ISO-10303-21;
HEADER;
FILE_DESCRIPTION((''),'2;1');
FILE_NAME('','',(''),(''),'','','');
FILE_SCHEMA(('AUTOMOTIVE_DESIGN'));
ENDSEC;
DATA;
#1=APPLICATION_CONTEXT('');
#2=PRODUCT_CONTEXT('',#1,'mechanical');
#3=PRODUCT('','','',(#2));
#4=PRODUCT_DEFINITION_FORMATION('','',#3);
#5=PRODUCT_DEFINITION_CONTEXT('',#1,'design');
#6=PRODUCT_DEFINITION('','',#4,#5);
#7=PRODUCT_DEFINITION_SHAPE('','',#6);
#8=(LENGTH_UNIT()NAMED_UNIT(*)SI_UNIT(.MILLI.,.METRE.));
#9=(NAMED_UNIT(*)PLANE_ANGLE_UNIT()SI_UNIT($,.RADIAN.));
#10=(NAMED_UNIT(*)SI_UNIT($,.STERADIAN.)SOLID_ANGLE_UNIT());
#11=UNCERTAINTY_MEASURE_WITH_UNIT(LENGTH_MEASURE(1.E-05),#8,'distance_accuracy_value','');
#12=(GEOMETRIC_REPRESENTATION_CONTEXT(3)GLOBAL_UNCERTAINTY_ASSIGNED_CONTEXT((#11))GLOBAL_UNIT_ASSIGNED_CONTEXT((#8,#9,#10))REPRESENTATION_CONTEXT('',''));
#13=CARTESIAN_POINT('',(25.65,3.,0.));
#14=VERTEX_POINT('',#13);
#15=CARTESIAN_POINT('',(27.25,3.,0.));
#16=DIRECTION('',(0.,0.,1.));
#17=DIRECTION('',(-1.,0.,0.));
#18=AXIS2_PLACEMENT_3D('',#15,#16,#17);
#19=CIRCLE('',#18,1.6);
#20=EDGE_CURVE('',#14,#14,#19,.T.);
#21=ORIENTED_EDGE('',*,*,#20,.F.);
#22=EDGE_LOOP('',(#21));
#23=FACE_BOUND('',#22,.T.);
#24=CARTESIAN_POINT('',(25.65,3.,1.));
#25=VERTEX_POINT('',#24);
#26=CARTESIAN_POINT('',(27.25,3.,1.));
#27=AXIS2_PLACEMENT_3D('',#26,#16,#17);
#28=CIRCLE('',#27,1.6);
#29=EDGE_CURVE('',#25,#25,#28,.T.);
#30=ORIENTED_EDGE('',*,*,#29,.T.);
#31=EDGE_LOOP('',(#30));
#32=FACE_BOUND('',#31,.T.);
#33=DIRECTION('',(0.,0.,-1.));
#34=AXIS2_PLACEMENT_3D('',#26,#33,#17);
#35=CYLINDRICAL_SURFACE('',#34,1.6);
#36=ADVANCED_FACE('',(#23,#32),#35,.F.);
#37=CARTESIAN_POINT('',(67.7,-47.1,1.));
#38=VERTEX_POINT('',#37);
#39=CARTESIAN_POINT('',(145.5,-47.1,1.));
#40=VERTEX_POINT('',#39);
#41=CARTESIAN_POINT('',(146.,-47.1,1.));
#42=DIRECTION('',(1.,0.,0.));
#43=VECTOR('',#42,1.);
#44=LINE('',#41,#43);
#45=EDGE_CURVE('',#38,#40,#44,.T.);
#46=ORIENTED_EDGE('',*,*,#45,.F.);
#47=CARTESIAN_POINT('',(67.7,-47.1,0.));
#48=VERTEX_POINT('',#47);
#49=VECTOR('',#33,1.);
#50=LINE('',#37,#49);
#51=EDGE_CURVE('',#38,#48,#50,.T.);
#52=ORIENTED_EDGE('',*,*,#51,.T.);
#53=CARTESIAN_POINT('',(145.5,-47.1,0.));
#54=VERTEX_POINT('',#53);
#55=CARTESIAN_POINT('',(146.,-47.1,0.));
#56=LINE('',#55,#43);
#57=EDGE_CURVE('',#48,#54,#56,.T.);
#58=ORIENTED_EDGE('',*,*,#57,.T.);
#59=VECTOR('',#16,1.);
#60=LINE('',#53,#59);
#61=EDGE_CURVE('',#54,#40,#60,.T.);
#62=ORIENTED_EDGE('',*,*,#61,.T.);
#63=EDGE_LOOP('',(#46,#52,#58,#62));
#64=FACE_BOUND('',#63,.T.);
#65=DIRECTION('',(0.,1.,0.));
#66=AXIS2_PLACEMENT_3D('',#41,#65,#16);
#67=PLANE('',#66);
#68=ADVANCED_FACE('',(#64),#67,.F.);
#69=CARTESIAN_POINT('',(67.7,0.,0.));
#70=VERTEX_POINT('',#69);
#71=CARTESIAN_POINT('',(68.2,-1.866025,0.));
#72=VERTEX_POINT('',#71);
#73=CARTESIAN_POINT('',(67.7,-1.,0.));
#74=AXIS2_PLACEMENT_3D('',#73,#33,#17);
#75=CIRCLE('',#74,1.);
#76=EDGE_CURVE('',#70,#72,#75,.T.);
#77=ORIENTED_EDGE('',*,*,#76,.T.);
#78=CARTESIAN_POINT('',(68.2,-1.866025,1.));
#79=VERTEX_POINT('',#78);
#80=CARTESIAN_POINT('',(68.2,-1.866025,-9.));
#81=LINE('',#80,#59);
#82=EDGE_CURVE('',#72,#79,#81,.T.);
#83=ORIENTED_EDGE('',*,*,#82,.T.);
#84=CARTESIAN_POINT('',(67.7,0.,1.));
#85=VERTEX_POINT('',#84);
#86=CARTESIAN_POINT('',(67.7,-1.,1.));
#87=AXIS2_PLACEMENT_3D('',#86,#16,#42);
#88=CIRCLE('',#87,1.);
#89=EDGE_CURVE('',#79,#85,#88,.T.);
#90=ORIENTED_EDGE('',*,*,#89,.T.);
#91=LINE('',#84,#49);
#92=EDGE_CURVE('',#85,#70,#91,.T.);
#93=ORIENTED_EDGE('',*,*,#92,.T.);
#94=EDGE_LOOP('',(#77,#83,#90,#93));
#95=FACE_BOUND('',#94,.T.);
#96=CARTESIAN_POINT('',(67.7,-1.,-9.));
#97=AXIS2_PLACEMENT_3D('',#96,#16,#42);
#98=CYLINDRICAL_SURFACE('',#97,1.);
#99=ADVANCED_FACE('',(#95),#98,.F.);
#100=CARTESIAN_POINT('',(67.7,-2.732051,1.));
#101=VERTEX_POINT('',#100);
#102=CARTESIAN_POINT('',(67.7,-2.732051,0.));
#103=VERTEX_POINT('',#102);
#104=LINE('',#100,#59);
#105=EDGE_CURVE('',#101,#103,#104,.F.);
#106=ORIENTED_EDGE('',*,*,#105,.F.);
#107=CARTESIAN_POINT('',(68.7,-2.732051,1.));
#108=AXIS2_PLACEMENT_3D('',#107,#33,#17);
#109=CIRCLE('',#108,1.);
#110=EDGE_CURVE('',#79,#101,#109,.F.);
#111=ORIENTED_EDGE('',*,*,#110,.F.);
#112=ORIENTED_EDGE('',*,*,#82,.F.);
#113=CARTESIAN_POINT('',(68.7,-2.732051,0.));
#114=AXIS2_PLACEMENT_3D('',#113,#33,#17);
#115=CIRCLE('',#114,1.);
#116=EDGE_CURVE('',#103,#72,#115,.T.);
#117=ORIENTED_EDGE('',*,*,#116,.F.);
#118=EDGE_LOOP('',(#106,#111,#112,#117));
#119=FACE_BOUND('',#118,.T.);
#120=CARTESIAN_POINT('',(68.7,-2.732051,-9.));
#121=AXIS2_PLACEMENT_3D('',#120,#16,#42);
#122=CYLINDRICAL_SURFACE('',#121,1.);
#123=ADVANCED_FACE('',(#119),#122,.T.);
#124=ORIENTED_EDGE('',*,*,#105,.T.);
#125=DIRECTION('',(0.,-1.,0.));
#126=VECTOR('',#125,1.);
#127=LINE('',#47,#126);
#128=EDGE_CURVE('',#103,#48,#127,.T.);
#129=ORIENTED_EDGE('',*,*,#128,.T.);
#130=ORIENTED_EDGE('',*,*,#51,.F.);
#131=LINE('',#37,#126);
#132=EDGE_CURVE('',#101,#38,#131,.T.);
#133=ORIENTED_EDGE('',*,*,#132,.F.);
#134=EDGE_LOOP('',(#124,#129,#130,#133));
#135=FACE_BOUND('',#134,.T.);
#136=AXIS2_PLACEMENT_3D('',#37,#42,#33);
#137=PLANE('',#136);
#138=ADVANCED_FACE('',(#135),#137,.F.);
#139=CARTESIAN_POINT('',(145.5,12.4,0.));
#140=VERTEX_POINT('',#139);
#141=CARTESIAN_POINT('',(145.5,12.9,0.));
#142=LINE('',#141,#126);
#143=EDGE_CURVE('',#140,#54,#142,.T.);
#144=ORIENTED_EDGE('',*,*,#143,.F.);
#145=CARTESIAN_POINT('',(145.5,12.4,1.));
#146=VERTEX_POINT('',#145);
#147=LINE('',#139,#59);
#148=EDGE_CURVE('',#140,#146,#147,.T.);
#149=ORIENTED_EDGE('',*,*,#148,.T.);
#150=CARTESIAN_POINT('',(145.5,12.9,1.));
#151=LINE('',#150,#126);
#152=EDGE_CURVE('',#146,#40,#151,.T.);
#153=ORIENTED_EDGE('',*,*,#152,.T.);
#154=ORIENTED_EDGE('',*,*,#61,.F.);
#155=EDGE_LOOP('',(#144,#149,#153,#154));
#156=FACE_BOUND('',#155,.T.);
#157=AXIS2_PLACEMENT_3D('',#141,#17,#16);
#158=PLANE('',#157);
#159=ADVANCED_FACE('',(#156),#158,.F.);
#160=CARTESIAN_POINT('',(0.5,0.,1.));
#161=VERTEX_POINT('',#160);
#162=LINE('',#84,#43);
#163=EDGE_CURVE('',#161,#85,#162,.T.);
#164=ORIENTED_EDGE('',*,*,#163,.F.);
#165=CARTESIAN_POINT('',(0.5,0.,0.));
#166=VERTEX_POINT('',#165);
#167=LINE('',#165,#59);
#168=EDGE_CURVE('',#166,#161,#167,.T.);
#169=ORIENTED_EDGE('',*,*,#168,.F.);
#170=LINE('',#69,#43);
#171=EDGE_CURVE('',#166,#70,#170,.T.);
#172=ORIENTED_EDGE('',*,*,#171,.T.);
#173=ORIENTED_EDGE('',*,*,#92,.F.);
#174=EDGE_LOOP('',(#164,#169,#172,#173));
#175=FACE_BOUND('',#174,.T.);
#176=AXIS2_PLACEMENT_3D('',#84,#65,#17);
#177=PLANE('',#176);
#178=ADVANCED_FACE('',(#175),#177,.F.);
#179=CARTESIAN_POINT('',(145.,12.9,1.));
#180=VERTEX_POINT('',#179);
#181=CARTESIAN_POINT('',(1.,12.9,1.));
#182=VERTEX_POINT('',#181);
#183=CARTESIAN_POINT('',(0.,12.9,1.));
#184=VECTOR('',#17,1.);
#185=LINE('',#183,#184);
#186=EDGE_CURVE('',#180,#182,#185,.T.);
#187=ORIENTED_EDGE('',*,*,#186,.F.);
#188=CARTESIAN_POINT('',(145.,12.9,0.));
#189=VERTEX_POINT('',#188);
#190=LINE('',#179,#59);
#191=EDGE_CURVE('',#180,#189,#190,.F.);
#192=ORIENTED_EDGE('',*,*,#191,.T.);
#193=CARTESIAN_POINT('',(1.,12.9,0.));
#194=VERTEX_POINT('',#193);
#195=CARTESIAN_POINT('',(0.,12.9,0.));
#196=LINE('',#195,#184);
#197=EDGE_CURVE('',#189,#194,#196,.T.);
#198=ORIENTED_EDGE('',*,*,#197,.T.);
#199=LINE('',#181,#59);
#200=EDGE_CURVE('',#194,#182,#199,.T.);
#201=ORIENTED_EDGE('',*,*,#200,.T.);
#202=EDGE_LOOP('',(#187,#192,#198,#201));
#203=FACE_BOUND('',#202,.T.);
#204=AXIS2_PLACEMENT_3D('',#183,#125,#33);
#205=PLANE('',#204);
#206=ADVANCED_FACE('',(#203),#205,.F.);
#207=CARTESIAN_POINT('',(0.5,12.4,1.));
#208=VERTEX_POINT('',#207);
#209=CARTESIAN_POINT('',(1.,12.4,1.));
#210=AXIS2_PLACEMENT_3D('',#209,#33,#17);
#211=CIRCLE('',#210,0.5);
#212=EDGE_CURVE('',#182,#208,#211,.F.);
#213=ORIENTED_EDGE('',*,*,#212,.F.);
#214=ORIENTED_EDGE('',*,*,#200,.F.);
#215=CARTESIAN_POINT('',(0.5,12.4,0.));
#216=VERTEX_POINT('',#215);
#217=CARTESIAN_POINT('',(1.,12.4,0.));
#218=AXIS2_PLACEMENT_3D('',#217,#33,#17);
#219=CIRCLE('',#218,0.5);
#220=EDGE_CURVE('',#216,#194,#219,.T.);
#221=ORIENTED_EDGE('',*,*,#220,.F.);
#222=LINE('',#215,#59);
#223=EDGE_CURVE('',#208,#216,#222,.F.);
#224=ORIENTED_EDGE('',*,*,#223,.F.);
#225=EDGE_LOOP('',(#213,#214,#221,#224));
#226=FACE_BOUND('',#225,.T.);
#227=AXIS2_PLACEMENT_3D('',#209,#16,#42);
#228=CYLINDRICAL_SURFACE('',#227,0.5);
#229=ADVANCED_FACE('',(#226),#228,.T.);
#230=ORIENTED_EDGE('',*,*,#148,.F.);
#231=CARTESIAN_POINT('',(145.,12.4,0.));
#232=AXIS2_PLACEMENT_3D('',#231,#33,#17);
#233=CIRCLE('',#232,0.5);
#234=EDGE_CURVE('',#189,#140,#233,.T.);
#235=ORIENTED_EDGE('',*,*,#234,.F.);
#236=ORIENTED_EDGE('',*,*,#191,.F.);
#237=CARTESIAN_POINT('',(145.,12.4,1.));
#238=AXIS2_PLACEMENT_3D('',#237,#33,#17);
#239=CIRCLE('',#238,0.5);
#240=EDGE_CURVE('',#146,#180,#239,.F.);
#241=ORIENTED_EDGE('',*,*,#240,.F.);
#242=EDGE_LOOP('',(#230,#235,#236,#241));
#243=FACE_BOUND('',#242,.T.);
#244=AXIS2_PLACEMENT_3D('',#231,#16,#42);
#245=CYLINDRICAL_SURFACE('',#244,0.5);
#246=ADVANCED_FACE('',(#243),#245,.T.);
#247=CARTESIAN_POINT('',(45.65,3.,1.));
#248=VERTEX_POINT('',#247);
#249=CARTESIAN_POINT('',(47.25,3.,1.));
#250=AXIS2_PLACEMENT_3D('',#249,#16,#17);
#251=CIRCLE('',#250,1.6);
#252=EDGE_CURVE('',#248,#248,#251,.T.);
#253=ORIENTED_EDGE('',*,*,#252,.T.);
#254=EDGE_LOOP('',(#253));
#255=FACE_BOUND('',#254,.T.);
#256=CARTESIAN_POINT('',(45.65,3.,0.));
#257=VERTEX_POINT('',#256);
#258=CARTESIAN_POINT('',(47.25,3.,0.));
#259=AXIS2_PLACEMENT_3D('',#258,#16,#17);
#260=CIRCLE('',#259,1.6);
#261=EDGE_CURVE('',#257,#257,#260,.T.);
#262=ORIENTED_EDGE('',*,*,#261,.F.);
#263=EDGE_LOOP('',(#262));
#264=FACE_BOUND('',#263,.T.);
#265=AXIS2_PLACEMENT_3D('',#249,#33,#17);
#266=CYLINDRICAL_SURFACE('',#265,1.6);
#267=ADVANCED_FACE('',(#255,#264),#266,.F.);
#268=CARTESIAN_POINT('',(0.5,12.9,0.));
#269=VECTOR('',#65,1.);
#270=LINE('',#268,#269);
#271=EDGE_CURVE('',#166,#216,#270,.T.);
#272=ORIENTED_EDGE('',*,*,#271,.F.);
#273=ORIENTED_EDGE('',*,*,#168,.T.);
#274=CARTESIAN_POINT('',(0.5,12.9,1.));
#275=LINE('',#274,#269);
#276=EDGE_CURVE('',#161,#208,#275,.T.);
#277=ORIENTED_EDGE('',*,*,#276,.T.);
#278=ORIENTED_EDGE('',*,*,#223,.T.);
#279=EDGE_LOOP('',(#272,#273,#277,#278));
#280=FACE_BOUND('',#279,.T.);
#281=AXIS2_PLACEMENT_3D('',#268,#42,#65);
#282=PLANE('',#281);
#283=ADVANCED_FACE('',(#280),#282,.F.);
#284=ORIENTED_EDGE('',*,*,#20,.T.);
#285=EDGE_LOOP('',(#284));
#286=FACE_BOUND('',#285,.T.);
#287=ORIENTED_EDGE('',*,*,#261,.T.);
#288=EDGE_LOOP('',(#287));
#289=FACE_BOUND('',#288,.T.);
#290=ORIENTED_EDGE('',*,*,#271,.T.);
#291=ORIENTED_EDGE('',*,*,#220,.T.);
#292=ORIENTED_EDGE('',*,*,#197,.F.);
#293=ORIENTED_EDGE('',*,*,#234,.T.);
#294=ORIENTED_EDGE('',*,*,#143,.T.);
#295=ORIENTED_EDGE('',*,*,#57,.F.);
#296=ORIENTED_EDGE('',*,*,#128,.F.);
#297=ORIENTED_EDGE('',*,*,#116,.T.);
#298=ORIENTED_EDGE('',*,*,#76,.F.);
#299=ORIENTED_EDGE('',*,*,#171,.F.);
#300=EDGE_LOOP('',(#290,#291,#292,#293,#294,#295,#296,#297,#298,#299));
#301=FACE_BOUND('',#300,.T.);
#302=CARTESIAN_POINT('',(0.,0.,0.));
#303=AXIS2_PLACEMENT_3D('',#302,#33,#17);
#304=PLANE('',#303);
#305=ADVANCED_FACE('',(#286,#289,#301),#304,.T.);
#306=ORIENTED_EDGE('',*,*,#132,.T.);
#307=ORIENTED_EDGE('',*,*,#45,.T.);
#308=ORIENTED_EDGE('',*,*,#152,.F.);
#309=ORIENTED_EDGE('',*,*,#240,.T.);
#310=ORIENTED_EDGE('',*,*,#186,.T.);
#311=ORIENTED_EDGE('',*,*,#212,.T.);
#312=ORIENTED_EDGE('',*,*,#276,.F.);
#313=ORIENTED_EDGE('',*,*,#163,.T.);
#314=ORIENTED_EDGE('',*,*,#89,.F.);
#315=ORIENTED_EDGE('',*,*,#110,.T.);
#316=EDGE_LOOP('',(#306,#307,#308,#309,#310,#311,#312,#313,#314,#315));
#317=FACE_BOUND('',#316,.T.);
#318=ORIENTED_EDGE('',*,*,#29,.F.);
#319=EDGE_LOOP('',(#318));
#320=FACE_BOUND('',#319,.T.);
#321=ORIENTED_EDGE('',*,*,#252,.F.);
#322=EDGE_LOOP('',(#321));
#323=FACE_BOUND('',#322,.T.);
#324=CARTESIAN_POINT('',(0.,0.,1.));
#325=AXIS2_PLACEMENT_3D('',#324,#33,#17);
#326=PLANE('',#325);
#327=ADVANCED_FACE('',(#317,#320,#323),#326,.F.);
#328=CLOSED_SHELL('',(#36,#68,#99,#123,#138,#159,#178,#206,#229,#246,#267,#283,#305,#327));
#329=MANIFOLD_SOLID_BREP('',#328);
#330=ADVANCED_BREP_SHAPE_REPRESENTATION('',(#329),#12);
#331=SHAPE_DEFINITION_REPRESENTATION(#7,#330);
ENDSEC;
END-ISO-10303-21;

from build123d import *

# Parameters (mm, degrees)
SKETCH_1_R          = 1.6
EXTRUDE_1_DEPTH     = 1
SKETCH_2_R          = 1
CUT_EXTRUDE_1_DEPTH = 10
FILLET_1_R          = 1
SKETCH_3_W          = 0.5
SKETCH_3_H          = 12.9
SKETCH_3_H_2        = 60
CUT_EXTRUDE_2_DEPTH = 154.412548379
FILLET_2_R          = 0.5


with BuildPart() as part:
    # 草图1 → 凸台-拉伸1 (new body)
    with BuildSketch(Plane.XY):
        Polygon((0, 0), (0, 12.9), (146, 12.9), (146, -47.1), (67.7, -47.1), (67.7, 0), align=None)
        with Locations(Location((47.25, 3, 0), (0, 0, 180))):
            Circle(SKETCH_1_R, mode=Mode.SUBTRACT)
        with Locations(Location((27.25, 3, 0), (0, 0, 180))):
            Circle(SKETCH_1_R, mode=Mode.SUBTRACT)
    extrude(amount=EXTRUDE_1_DEPTH)

    # 草图2 → 切除-拉伸1 (cut)
    with BuildSketch(Plane.XY.offset(1)):
        with Locations((67.7, -1)):
            Circle(SKETCH_2_R)
    extrude(amount=-CUT_EXTRUDE_1_DEPTH, mode=Mode.SUBTRACT)

    # 圆角1
    fillet_1_edges = [part.edges().sort_by_distance(p)[0] for p in [
        (67.7, -2, 0.5),
    ]]
    fillet(fillet_1_edges, radius=FILLET_1_R)

    # 草图3 → 切除-拉伸2 (cut, through all)
    with BuildSketch(Plane.XY.offset(1)):
        with Locations((0.25, 6.45)):
            Rectangle(SKETCH_3_W, SKETCH_3_H)
        with Locations((145.75, -17.1)):
            Rectangle(SKETCH_3_W, SKETCH_3_H_2)
    extrude(amount=-CUT_EXTRUDE_2_DEPTH, mode=Mode.SUBTRACT)

    # 圆角2
    fillet_2_edges = [part.edges().sort_by_distance(p)[0] for p in [
        (0.5, 12.9, 0.5),
        (145.5, 12.9, 0.5),
    ]]
    fillet(fillet_2_edges, radius=FILLET_2_R)


solid = part.part
